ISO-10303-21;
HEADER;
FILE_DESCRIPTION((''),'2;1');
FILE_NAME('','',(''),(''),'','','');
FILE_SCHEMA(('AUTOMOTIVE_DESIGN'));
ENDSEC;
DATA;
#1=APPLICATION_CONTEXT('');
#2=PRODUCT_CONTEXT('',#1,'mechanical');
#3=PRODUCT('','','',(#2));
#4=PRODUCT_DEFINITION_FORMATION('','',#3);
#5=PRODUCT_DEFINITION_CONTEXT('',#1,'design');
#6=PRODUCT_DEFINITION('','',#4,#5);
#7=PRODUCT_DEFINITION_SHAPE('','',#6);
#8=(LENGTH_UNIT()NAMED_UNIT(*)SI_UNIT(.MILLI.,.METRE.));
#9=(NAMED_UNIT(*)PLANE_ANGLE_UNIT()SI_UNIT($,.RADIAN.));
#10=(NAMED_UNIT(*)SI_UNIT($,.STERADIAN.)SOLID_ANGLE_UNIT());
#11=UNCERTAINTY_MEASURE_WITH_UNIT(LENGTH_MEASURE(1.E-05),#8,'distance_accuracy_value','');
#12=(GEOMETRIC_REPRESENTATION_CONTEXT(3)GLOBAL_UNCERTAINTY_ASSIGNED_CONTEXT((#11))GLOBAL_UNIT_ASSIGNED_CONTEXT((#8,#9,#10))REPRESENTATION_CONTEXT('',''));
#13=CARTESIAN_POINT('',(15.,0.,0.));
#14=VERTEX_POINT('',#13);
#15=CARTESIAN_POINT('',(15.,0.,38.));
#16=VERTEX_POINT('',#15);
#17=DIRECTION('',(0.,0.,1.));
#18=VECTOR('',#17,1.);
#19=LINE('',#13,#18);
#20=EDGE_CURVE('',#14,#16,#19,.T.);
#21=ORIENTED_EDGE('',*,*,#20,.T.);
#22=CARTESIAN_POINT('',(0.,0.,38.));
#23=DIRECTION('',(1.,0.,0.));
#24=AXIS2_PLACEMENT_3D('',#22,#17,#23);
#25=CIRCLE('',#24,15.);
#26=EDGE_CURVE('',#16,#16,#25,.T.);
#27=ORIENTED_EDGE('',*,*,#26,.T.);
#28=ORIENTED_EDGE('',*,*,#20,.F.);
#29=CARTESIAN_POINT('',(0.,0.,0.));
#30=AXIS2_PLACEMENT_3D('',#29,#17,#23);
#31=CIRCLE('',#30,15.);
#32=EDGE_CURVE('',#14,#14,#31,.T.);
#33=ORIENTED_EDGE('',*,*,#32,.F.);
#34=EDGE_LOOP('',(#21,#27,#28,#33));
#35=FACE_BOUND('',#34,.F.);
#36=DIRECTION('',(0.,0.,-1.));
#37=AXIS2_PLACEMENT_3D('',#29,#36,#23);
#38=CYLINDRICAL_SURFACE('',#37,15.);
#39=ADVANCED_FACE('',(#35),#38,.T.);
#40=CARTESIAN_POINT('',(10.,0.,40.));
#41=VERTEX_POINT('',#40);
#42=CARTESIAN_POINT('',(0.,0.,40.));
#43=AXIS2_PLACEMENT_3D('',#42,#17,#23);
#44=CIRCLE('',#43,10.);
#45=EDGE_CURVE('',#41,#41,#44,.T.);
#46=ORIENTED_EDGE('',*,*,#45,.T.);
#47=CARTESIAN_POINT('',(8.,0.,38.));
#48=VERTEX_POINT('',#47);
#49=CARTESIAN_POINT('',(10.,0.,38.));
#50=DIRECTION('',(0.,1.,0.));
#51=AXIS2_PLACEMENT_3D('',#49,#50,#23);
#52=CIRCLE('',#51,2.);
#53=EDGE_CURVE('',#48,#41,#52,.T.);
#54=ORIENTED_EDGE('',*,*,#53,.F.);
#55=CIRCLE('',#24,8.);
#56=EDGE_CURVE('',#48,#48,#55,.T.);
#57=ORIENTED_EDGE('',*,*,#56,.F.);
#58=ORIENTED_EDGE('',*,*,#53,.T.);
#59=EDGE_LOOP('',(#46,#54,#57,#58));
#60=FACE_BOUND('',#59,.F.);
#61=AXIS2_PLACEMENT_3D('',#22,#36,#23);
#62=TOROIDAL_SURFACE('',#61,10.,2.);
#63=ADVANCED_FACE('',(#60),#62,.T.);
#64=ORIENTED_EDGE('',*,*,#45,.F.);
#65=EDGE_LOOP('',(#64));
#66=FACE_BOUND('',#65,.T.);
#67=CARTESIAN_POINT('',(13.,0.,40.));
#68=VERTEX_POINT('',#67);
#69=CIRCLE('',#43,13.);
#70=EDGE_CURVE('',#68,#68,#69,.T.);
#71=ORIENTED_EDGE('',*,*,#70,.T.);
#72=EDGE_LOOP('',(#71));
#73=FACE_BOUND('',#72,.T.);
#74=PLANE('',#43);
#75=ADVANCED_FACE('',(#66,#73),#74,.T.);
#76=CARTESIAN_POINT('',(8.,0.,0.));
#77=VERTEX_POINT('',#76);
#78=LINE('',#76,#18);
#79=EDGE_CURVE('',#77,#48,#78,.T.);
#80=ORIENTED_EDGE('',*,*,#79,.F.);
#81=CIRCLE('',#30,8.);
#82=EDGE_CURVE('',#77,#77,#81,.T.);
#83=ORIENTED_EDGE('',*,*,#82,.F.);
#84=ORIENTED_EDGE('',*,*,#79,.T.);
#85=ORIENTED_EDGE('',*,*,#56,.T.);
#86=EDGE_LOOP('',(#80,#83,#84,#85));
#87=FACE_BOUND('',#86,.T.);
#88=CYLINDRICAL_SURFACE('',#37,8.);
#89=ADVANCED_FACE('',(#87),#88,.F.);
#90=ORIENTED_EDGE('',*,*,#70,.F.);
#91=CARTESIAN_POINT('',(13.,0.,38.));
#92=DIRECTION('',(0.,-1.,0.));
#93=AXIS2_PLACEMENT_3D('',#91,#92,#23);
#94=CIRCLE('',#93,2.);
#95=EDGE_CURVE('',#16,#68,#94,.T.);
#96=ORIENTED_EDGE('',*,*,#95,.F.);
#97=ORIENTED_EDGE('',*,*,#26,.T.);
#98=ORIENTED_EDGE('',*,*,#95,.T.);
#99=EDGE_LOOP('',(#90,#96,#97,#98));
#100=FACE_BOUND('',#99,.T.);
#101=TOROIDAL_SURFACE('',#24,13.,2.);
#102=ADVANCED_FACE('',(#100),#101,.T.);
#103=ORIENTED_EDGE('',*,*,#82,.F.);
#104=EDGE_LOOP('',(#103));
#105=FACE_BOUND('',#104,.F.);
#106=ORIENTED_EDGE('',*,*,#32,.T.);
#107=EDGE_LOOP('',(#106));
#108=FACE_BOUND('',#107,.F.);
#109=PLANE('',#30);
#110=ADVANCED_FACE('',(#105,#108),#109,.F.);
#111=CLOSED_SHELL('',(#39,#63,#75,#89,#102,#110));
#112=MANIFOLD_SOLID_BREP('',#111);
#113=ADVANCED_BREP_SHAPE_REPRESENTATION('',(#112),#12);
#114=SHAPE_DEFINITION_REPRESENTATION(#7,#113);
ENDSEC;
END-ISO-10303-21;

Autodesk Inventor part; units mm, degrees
ref_plane "YZ Plane" through (0, 0, 0) normal (1, 0, 0) x (0, 1, 0)
ref_plane "XZ Plane" through (0, 0, 0) normal (0, 1, 0) x (-1, 0, 0)
ref_plane "XY Plane" through (0, 0, 0) normal (0, 0, 1) x (1, 0, 0)
sketch "Esboço1" plane through (0, 0, 0) normal (0, 0, 1) x (1, 0, 0)
  circle A0 centre (0, 0) radius 15
  circle A1 centre (0, 0) radius 8
  dimension "d0" = 30
  dimension "d1" = 16
extrude "Extrusão1" add sketch "Esboço1" along normal blind 40
fillet "Arredondamento1" radius 2 2 edges at (-15, 0, 40) (-8, 0, 40)
properties part number "Apoio da Haste"
